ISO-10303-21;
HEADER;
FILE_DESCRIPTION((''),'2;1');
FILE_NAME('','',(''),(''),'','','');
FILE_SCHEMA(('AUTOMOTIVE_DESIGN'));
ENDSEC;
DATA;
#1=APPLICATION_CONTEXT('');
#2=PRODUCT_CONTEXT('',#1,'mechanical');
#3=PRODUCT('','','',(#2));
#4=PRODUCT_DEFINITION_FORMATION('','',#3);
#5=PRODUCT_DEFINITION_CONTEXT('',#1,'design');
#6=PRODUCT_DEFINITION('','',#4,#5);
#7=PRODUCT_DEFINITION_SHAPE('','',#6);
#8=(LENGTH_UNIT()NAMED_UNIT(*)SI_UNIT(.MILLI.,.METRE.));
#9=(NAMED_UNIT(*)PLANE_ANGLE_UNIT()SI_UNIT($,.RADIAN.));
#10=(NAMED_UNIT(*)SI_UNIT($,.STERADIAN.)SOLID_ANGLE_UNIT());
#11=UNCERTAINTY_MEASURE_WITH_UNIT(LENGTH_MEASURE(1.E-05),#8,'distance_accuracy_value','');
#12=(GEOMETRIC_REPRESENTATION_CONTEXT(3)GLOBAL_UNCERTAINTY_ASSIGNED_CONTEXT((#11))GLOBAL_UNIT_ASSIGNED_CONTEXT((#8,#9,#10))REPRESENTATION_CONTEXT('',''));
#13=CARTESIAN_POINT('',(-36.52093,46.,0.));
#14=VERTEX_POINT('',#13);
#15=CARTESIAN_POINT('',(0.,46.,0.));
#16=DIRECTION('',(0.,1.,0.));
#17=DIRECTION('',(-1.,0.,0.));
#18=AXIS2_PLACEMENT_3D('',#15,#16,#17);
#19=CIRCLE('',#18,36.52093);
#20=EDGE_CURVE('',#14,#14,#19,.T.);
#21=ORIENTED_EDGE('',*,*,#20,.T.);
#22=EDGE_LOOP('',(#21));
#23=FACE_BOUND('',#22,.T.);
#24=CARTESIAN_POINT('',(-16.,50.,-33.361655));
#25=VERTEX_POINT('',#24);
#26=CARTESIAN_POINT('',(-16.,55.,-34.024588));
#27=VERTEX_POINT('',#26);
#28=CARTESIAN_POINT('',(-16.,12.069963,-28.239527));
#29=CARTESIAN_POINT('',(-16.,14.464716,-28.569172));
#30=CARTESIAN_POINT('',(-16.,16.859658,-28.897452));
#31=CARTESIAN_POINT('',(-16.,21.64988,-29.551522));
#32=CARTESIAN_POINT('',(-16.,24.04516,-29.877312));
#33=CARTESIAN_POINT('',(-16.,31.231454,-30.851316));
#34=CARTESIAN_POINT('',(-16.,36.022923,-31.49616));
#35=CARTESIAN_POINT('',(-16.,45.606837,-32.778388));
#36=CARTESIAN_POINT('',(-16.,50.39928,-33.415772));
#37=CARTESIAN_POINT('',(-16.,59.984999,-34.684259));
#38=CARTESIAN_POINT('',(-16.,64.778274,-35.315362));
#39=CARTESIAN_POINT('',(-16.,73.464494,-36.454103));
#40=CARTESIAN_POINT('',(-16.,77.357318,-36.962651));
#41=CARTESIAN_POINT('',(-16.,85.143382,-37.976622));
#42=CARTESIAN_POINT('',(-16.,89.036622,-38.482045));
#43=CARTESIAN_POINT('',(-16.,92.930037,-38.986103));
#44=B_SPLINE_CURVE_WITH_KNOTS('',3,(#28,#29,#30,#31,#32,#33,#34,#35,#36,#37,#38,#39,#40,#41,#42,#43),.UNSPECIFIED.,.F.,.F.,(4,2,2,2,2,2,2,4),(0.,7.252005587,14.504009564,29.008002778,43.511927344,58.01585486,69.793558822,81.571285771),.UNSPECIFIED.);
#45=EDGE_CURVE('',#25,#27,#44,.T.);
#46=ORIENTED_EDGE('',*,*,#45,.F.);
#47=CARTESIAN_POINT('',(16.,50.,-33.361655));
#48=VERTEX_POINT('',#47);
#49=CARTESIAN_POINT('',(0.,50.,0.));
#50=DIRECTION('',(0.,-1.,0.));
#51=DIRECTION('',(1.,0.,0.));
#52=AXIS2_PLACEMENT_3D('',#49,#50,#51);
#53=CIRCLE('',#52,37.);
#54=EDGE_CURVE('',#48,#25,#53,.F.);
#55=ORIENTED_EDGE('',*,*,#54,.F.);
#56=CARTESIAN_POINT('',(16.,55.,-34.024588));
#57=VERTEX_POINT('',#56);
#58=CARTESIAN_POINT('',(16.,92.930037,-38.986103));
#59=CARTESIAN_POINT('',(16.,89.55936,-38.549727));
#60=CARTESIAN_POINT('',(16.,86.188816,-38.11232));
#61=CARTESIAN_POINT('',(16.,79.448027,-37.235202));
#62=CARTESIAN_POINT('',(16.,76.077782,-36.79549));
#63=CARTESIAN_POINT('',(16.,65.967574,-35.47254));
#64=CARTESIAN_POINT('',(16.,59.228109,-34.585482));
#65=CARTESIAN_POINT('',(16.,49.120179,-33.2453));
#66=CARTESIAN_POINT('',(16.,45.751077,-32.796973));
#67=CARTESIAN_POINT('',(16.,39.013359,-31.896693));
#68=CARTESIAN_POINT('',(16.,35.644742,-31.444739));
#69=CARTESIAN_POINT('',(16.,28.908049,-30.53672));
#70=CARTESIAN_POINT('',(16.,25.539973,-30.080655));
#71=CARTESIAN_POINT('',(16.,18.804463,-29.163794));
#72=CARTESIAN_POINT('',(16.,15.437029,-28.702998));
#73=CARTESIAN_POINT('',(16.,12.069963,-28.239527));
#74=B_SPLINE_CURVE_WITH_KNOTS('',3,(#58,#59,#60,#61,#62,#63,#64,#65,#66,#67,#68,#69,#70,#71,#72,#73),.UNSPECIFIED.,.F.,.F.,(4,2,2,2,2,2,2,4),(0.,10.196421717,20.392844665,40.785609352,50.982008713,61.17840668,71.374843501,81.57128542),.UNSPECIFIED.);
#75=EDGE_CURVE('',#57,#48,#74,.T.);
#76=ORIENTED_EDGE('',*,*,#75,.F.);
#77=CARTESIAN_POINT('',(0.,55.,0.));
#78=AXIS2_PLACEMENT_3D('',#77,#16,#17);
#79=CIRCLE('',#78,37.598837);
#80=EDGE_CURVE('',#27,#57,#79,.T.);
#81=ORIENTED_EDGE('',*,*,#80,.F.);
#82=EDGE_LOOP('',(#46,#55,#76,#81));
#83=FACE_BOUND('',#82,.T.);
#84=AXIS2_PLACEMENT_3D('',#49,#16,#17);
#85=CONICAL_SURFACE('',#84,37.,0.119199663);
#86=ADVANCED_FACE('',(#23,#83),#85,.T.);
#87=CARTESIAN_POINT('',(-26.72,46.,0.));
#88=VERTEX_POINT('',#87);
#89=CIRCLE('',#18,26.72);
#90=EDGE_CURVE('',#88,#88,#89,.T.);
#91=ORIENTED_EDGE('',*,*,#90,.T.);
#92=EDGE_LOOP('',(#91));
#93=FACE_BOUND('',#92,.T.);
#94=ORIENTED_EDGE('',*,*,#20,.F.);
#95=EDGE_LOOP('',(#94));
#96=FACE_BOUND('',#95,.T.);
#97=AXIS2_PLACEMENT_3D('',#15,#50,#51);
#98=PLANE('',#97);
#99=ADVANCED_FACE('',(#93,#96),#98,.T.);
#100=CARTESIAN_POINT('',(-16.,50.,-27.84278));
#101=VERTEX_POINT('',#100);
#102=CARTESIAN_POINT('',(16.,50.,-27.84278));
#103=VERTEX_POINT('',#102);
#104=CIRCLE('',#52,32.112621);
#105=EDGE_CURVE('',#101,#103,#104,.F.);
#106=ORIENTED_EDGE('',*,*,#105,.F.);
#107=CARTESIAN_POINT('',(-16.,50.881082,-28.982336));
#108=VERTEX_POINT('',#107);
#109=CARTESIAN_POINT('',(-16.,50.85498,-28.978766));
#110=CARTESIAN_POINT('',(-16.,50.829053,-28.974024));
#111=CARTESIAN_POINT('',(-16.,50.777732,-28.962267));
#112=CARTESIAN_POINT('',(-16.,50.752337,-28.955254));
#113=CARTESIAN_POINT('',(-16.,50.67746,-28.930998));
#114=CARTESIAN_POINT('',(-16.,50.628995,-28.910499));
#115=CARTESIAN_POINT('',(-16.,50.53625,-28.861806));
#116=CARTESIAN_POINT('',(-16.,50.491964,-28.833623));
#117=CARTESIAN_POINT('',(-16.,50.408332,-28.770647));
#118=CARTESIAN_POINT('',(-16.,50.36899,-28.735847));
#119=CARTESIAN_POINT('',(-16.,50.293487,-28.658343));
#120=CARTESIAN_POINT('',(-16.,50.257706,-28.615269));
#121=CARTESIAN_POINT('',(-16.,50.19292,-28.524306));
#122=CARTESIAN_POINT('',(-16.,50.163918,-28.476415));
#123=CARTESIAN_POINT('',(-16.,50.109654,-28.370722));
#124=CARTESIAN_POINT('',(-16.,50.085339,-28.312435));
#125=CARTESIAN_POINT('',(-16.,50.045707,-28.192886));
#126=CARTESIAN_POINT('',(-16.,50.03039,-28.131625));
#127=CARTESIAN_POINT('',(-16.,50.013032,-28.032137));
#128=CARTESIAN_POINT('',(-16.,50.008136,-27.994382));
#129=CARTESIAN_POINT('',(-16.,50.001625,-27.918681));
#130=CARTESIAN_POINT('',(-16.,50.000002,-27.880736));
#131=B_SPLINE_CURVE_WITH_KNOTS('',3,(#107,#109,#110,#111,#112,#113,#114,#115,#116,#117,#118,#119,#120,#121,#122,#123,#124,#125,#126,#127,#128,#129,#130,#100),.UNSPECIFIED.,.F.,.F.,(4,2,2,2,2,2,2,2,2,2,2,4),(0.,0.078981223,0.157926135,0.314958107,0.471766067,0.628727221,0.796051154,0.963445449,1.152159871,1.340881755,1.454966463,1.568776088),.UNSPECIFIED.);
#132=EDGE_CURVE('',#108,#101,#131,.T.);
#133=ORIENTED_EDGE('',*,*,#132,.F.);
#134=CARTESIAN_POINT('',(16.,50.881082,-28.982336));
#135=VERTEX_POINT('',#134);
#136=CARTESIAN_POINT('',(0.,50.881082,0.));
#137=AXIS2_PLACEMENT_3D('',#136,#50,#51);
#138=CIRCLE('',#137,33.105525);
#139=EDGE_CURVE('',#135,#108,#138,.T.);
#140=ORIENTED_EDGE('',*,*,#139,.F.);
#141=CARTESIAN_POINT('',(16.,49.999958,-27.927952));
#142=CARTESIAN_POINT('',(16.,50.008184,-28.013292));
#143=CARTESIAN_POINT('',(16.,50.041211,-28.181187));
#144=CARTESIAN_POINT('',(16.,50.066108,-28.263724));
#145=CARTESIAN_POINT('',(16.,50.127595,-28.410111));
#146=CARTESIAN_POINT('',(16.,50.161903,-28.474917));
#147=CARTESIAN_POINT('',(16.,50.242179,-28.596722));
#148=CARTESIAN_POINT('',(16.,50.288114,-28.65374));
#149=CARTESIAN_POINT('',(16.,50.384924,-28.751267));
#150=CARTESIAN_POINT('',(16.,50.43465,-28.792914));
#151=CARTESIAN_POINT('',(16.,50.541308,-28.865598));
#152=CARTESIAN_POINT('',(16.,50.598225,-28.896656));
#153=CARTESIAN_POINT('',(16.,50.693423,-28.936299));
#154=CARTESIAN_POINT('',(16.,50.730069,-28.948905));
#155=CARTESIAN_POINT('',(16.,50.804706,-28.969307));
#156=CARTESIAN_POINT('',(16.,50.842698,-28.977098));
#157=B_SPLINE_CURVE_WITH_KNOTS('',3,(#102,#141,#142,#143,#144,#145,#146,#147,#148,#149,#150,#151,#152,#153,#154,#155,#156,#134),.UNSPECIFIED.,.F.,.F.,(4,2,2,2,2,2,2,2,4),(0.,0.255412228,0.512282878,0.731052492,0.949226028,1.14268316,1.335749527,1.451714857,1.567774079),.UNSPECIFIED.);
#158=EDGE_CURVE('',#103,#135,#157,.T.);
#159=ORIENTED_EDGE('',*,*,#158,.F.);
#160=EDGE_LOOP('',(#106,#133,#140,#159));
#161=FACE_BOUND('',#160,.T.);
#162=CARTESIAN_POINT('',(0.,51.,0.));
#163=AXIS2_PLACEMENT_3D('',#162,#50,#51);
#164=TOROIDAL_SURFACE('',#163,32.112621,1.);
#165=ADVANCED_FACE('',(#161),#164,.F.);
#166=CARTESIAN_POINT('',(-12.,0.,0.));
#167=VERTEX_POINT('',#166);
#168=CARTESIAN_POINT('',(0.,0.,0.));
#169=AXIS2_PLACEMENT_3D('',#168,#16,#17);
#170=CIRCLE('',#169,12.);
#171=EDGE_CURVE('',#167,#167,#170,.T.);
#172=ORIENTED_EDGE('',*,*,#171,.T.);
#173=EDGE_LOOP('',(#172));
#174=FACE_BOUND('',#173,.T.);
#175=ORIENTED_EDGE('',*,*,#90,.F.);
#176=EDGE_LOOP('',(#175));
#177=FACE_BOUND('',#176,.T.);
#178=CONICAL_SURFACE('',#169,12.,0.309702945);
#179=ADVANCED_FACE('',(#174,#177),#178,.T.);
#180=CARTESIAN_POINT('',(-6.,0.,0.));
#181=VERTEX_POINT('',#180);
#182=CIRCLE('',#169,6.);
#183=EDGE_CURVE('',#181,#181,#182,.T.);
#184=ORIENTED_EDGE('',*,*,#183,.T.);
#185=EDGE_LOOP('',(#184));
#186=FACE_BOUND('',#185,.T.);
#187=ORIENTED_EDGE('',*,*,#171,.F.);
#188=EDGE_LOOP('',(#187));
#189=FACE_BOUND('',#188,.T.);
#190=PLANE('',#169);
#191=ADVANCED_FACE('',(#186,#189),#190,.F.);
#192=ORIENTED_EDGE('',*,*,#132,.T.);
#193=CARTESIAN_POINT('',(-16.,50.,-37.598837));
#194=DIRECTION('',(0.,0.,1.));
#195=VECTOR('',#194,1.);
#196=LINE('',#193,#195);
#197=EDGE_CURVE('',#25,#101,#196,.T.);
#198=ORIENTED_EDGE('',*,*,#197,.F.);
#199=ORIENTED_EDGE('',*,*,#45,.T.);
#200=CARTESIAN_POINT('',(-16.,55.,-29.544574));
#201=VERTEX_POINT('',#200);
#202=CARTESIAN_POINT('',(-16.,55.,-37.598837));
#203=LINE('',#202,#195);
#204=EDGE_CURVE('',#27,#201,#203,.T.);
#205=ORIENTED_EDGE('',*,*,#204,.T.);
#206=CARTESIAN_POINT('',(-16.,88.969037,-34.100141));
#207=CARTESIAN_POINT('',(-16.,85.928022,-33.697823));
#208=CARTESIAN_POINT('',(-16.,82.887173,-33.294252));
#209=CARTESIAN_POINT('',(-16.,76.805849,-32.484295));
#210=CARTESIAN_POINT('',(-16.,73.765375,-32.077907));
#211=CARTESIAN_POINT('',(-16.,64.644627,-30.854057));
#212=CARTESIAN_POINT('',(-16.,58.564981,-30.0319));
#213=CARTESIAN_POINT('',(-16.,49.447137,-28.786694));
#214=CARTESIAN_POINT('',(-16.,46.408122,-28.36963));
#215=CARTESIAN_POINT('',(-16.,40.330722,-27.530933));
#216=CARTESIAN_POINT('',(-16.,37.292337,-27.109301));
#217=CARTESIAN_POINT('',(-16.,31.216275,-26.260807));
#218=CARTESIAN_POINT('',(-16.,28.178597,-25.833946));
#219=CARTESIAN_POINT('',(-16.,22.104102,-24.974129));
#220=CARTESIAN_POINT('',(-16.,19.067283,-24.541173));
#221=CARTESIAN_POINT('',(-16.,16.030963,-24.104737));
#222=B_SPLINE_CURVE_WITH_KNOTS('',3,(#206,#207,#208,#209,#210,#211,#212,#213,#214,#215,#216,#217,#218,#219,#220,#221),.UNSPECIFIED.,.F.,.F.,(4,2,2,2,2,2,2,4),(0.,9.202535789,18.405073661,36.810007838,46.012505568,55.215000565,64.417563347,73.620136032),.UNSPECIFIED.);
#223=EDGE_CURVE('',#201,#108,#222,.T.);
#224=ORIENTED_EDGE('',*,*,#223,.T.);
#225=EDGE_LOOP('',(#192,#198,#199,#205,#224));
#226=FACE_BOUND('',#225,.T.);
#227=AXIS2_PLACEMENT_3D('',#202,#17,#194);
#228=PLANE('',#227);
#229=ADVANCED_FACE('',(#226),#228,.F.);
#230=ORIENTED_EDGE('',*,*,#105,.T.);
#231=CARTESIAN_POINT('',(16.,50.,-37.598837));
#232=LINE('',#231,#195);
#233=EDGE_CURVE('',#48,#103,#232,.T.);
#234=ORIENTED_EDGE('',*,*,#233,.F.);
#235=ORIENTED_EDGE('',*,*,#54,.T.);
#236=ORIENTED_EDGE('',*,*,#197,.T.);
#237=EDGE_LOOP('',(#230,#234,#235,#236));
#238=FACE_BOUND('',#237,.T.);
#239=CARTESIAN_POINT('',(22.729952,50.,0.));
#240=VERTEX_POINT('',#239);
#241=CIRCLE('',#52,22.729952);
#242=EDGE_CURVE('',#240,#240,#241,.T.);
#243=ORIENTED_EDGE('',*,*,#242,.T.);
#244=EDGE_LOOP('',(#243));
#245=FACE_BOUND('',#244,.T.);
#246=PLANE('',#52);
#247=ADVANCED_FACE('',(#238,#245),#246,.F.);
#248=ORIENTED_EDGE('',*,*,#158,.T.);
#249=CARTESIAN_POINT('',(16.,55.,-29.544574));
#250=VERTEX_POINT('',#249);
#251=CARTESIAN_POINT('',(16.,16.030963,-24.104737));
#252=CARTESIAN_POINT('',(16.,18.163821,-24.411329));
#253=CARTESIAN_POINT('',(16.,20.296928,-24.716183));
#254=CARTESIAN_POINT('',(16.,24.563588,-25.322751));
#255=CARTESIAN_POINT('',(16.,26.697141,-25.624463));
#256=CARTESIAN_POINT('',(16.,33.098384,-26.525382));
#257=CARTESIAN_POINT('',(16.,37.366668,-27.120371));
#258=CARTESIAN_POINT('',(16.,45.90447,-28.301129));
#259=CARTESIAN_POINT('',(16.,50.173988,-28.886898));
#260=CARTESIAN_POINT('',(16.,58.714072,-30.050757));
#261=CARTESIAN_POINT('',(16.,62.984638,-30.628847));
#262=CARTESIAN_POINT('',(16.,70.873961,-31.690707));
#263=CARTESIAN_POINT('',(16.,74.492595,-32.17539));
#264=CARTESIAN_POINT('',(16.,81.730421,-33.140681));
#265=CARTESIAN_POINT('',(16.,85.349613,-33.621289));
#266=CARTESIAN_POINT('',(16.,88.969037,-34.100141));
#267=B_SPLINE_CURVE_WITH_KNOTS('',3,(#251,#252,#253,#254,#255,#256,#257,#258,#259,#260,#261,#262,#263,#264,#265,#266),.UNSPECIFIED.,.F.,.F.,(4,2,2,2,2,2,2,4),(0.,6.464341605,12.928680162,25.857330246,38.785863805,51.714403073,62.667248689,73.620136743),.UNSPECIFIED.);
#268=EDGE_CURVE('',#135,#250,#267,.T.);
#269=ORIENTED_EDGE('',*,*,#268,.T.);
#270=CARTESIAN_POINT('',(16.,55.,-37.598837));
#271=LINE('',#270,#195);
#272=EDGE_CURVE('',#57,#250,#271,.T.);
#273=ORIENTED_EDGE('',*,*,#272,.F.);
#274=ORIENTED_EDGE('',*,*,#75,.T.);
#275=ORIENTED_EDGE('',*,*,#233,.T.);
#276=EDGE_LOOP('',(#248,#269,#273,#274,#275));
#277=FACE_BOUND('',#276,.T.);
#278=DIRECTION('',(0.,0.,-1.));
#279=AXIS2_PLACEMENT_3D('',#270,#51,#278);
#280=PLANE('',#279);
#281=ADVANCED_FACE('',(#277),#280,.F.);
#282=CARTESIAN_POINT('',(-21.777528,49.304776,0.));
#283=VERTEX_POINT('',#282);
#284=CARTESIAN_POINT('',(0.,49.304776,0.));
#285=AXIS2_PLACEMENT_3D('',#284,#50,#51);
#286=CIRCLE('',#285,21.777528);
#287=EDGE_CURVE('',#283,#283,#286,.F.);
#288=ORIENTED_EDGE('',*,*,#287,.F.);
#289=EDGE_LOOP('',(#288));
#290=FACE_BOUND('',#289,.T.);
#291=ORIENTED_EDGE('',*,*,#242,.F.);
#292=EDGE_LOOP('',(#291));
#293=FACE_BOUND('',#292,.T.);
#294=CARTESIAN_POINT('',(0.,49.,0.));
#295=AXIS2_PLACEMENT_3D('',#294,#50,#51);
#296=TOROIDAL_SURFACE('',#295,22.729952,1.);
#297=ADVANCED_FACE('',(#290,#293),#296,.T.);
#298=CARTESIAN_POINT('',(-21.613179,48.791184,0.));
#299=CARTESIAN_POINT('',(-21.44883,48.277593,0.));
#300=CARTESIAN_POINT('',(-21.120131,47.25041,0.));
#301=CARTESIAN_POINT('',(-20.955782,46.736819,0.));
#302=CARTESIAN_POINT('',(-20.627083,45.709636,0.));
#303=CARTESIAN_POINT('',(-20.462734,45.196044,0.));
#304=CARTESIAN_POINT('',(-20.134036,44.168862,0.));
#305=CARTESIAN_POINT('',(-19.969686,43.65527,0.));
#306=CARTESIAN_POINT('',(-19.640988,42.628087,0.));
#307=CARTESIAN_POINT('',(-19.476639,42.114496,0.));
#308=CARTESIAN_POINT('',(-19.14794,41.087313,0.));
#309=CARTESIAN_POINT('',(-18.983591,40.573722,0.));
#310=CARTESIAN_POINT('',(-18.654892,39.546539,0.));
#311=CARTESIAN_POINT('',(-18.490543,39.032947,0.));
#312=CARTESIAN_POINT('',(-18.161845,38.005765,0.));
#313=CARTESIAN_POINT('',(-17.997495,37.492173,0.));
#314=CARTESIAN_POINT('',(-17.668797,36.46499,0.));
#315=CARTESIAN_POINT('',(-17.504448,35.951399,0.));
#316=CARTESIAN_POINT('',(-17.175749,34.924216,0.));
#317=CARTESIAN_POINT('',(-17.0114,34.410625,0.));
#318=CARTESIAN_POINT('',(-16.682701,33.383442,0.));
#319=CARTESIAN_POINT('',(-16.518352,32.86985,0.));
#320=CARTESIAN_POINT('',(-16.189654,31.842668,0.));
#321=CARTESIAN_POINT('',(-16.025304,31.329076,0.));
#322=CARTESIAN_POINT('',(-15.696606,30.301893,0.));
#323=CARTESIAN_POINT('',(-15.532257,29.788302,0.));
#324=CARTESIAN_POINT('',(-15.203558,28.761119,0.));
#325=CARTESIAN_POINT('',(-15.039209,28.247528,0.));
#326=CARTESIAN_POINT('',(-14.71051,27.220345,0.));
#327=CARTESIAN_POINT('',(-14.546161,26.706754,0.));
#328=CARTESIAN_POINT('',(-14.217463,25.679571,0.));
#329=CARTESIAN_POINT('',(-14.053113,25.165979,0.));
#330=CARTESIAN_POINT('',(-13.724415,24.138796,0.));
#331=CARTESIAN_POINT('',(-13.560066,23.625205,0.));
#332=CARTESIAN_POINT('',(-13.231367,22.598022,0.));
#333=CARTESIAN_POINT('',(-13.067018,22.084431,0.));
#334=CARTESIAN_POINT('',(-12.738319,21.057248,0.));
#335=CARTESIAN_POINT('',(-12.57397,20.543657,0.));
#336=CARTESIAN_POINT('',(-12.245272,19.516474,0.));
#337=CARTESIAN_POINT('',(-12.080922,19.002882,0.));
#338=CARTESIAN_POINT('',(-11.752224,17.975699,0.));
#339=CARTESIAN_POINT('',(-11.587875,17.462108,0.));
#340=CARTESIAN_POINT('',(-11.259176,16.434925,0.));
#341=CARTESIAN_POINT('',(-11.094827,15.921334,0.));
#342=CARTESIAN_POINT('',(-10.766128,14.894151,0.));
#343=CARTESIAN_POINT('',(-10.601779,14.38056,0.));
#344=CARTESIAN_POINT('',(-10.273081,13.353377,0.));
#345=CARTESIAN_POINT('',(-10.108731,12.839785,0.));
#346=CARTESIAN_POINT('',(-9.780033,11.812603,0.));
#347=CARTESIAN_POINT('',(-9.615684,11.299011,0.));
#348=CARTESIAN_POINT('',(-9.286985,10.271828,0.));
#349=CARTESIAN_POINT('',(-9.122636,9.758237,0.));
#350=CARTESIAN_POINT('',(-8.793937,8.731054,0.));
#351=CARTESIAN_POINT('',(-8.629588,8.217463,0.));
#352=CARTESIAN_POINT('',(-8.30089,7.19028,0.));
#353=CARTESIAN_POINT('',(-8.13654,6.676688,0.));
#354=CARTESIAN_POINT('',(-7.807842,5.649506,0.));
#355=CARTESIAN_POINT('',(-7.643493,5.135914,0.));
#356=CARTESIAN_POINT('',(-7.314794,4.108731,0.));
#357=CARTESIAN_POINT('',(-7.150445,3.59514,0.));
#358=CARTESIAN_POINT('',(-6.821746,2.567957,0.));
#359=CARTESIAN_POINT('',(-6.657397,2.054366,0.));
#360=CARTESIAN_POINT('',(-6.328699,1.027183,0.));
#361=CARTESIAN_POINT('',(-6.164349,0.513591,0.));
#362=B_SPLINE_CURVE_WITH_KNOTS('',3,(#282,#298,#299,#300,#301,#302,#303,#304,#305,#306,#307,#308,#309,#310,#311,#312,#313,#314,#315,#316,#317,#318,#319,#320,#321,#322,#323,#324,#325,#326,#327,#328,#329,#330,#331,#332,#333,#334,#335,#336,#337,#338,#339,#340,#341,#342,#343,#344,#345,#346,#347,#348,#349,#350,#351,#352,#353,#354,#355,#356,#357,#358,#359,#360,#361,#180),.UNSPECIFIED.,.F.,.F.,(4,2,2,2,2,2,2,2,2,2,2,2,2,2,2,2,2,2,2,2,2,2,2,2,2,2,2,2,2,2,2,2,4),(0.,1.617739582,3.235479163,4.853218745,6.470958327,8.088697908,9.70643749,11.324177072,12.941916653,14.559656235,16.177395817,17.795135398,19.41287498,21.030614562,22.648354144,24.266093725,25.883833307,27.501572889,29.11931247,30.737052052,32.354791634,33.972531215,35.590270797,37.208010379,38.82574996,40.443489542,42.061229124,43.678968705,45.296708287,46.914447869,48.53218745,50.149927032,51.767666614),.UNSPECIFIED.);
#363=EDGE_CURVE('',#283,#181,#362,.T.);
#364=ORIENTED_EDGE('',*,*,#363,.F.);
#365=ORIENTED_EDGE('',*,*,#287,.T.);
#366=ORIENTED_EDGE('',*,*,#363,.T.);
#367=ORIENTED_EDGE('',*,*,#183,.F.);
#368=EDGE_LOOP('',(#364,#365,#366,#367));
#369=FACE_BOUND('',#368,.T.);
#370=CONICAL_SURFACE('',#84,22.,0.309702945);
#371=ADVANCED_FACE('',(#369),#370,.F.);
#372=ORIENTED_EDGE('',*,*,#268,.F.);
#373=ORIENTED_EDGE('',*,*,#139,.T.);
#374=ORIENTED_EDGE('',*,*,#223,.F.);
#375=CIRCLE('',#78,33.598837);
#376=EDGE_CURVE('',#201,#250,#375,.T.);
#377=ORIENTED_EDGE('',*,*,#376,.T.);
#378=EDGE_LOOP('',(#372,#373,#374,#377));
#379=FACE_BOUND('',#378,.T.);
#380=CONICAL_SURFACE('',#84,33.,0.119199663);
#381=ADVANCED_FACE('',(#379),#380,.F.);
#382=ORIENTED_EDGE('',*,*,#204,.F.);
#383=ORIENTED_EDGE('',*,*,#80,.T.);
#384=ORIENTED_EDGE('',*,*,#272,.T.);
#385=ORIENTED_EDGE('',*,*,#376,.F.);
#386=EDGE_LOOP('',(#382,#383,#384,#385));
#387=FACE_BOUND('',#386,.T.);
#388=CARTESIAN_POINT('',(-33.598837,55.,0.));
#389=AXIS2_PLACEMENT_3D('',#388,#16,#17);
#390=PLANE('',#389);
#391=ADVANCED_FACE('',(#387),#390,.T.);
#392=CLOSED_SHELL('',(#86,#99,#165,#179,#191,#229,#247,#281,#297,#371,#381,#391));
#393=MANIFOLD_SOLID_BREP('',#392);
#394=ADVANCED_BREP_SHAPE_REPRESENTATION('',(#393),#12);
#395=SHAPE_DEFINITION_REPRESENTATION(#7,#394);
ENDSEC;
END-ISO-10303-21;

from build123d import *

# Parameters (mm, degrees)
SKETCH2_W          = 32
SKETCH2_H          = 5
CUT_EXTRUDE2_DEPTH = 77.50062169
FILLET1_R          = 1
FILLET2_R          = 1


with BuildPart() as part:
    # Sketch1 → Revolve1 (revolve)
    with BuildSketch(Plane.XY):
        Polygon((-12, 0), (-6, 0), (-22, 50), (-22, 46), (-26.72, 46), align=None)
        Polygon((-36.520930233, 46), (-26.72, 46), (-28, 50), (-33, 50), (-37, 50), align=None)
        Polygon((-22, 46), (-22, 50), (-28, 50), (-26.72, 46), align=None)
        Polygon((-37, 50), (-33, 50), (-33.598837209, 55), (-37.598837209, 55), align=None)
    revolve(axis=Axis((0, 50, 0), (0, -1, 0)))

    # Sketch2 → Cut-Extrude2 (cut, through all)
    with BuildSketch(Plane.XY):
        with Locations((0, 52.5)):
            Rectangle(SKETCH2_W, SKETCH2_H)
    extrude(amount=-CUT_EXTRUDE2_DEPTH, mode=Mode.SUBTRACT)

    # Fillet1
    fillet1_edges = [part.edges().sort_by_distance(p)[0] for p in [
        (0, 50, 33),
    ]]
    fillet(fillet1_edges, radius=FILLET1_R)

    # Fillet2
    fillet2_edges = [part.edges().sort_by_distance(p)[0] for p in [
        (22, 50, 0),
    ]]
    fillet(fillet2_edges, radius=FILLET2_R)


solid = part.part
